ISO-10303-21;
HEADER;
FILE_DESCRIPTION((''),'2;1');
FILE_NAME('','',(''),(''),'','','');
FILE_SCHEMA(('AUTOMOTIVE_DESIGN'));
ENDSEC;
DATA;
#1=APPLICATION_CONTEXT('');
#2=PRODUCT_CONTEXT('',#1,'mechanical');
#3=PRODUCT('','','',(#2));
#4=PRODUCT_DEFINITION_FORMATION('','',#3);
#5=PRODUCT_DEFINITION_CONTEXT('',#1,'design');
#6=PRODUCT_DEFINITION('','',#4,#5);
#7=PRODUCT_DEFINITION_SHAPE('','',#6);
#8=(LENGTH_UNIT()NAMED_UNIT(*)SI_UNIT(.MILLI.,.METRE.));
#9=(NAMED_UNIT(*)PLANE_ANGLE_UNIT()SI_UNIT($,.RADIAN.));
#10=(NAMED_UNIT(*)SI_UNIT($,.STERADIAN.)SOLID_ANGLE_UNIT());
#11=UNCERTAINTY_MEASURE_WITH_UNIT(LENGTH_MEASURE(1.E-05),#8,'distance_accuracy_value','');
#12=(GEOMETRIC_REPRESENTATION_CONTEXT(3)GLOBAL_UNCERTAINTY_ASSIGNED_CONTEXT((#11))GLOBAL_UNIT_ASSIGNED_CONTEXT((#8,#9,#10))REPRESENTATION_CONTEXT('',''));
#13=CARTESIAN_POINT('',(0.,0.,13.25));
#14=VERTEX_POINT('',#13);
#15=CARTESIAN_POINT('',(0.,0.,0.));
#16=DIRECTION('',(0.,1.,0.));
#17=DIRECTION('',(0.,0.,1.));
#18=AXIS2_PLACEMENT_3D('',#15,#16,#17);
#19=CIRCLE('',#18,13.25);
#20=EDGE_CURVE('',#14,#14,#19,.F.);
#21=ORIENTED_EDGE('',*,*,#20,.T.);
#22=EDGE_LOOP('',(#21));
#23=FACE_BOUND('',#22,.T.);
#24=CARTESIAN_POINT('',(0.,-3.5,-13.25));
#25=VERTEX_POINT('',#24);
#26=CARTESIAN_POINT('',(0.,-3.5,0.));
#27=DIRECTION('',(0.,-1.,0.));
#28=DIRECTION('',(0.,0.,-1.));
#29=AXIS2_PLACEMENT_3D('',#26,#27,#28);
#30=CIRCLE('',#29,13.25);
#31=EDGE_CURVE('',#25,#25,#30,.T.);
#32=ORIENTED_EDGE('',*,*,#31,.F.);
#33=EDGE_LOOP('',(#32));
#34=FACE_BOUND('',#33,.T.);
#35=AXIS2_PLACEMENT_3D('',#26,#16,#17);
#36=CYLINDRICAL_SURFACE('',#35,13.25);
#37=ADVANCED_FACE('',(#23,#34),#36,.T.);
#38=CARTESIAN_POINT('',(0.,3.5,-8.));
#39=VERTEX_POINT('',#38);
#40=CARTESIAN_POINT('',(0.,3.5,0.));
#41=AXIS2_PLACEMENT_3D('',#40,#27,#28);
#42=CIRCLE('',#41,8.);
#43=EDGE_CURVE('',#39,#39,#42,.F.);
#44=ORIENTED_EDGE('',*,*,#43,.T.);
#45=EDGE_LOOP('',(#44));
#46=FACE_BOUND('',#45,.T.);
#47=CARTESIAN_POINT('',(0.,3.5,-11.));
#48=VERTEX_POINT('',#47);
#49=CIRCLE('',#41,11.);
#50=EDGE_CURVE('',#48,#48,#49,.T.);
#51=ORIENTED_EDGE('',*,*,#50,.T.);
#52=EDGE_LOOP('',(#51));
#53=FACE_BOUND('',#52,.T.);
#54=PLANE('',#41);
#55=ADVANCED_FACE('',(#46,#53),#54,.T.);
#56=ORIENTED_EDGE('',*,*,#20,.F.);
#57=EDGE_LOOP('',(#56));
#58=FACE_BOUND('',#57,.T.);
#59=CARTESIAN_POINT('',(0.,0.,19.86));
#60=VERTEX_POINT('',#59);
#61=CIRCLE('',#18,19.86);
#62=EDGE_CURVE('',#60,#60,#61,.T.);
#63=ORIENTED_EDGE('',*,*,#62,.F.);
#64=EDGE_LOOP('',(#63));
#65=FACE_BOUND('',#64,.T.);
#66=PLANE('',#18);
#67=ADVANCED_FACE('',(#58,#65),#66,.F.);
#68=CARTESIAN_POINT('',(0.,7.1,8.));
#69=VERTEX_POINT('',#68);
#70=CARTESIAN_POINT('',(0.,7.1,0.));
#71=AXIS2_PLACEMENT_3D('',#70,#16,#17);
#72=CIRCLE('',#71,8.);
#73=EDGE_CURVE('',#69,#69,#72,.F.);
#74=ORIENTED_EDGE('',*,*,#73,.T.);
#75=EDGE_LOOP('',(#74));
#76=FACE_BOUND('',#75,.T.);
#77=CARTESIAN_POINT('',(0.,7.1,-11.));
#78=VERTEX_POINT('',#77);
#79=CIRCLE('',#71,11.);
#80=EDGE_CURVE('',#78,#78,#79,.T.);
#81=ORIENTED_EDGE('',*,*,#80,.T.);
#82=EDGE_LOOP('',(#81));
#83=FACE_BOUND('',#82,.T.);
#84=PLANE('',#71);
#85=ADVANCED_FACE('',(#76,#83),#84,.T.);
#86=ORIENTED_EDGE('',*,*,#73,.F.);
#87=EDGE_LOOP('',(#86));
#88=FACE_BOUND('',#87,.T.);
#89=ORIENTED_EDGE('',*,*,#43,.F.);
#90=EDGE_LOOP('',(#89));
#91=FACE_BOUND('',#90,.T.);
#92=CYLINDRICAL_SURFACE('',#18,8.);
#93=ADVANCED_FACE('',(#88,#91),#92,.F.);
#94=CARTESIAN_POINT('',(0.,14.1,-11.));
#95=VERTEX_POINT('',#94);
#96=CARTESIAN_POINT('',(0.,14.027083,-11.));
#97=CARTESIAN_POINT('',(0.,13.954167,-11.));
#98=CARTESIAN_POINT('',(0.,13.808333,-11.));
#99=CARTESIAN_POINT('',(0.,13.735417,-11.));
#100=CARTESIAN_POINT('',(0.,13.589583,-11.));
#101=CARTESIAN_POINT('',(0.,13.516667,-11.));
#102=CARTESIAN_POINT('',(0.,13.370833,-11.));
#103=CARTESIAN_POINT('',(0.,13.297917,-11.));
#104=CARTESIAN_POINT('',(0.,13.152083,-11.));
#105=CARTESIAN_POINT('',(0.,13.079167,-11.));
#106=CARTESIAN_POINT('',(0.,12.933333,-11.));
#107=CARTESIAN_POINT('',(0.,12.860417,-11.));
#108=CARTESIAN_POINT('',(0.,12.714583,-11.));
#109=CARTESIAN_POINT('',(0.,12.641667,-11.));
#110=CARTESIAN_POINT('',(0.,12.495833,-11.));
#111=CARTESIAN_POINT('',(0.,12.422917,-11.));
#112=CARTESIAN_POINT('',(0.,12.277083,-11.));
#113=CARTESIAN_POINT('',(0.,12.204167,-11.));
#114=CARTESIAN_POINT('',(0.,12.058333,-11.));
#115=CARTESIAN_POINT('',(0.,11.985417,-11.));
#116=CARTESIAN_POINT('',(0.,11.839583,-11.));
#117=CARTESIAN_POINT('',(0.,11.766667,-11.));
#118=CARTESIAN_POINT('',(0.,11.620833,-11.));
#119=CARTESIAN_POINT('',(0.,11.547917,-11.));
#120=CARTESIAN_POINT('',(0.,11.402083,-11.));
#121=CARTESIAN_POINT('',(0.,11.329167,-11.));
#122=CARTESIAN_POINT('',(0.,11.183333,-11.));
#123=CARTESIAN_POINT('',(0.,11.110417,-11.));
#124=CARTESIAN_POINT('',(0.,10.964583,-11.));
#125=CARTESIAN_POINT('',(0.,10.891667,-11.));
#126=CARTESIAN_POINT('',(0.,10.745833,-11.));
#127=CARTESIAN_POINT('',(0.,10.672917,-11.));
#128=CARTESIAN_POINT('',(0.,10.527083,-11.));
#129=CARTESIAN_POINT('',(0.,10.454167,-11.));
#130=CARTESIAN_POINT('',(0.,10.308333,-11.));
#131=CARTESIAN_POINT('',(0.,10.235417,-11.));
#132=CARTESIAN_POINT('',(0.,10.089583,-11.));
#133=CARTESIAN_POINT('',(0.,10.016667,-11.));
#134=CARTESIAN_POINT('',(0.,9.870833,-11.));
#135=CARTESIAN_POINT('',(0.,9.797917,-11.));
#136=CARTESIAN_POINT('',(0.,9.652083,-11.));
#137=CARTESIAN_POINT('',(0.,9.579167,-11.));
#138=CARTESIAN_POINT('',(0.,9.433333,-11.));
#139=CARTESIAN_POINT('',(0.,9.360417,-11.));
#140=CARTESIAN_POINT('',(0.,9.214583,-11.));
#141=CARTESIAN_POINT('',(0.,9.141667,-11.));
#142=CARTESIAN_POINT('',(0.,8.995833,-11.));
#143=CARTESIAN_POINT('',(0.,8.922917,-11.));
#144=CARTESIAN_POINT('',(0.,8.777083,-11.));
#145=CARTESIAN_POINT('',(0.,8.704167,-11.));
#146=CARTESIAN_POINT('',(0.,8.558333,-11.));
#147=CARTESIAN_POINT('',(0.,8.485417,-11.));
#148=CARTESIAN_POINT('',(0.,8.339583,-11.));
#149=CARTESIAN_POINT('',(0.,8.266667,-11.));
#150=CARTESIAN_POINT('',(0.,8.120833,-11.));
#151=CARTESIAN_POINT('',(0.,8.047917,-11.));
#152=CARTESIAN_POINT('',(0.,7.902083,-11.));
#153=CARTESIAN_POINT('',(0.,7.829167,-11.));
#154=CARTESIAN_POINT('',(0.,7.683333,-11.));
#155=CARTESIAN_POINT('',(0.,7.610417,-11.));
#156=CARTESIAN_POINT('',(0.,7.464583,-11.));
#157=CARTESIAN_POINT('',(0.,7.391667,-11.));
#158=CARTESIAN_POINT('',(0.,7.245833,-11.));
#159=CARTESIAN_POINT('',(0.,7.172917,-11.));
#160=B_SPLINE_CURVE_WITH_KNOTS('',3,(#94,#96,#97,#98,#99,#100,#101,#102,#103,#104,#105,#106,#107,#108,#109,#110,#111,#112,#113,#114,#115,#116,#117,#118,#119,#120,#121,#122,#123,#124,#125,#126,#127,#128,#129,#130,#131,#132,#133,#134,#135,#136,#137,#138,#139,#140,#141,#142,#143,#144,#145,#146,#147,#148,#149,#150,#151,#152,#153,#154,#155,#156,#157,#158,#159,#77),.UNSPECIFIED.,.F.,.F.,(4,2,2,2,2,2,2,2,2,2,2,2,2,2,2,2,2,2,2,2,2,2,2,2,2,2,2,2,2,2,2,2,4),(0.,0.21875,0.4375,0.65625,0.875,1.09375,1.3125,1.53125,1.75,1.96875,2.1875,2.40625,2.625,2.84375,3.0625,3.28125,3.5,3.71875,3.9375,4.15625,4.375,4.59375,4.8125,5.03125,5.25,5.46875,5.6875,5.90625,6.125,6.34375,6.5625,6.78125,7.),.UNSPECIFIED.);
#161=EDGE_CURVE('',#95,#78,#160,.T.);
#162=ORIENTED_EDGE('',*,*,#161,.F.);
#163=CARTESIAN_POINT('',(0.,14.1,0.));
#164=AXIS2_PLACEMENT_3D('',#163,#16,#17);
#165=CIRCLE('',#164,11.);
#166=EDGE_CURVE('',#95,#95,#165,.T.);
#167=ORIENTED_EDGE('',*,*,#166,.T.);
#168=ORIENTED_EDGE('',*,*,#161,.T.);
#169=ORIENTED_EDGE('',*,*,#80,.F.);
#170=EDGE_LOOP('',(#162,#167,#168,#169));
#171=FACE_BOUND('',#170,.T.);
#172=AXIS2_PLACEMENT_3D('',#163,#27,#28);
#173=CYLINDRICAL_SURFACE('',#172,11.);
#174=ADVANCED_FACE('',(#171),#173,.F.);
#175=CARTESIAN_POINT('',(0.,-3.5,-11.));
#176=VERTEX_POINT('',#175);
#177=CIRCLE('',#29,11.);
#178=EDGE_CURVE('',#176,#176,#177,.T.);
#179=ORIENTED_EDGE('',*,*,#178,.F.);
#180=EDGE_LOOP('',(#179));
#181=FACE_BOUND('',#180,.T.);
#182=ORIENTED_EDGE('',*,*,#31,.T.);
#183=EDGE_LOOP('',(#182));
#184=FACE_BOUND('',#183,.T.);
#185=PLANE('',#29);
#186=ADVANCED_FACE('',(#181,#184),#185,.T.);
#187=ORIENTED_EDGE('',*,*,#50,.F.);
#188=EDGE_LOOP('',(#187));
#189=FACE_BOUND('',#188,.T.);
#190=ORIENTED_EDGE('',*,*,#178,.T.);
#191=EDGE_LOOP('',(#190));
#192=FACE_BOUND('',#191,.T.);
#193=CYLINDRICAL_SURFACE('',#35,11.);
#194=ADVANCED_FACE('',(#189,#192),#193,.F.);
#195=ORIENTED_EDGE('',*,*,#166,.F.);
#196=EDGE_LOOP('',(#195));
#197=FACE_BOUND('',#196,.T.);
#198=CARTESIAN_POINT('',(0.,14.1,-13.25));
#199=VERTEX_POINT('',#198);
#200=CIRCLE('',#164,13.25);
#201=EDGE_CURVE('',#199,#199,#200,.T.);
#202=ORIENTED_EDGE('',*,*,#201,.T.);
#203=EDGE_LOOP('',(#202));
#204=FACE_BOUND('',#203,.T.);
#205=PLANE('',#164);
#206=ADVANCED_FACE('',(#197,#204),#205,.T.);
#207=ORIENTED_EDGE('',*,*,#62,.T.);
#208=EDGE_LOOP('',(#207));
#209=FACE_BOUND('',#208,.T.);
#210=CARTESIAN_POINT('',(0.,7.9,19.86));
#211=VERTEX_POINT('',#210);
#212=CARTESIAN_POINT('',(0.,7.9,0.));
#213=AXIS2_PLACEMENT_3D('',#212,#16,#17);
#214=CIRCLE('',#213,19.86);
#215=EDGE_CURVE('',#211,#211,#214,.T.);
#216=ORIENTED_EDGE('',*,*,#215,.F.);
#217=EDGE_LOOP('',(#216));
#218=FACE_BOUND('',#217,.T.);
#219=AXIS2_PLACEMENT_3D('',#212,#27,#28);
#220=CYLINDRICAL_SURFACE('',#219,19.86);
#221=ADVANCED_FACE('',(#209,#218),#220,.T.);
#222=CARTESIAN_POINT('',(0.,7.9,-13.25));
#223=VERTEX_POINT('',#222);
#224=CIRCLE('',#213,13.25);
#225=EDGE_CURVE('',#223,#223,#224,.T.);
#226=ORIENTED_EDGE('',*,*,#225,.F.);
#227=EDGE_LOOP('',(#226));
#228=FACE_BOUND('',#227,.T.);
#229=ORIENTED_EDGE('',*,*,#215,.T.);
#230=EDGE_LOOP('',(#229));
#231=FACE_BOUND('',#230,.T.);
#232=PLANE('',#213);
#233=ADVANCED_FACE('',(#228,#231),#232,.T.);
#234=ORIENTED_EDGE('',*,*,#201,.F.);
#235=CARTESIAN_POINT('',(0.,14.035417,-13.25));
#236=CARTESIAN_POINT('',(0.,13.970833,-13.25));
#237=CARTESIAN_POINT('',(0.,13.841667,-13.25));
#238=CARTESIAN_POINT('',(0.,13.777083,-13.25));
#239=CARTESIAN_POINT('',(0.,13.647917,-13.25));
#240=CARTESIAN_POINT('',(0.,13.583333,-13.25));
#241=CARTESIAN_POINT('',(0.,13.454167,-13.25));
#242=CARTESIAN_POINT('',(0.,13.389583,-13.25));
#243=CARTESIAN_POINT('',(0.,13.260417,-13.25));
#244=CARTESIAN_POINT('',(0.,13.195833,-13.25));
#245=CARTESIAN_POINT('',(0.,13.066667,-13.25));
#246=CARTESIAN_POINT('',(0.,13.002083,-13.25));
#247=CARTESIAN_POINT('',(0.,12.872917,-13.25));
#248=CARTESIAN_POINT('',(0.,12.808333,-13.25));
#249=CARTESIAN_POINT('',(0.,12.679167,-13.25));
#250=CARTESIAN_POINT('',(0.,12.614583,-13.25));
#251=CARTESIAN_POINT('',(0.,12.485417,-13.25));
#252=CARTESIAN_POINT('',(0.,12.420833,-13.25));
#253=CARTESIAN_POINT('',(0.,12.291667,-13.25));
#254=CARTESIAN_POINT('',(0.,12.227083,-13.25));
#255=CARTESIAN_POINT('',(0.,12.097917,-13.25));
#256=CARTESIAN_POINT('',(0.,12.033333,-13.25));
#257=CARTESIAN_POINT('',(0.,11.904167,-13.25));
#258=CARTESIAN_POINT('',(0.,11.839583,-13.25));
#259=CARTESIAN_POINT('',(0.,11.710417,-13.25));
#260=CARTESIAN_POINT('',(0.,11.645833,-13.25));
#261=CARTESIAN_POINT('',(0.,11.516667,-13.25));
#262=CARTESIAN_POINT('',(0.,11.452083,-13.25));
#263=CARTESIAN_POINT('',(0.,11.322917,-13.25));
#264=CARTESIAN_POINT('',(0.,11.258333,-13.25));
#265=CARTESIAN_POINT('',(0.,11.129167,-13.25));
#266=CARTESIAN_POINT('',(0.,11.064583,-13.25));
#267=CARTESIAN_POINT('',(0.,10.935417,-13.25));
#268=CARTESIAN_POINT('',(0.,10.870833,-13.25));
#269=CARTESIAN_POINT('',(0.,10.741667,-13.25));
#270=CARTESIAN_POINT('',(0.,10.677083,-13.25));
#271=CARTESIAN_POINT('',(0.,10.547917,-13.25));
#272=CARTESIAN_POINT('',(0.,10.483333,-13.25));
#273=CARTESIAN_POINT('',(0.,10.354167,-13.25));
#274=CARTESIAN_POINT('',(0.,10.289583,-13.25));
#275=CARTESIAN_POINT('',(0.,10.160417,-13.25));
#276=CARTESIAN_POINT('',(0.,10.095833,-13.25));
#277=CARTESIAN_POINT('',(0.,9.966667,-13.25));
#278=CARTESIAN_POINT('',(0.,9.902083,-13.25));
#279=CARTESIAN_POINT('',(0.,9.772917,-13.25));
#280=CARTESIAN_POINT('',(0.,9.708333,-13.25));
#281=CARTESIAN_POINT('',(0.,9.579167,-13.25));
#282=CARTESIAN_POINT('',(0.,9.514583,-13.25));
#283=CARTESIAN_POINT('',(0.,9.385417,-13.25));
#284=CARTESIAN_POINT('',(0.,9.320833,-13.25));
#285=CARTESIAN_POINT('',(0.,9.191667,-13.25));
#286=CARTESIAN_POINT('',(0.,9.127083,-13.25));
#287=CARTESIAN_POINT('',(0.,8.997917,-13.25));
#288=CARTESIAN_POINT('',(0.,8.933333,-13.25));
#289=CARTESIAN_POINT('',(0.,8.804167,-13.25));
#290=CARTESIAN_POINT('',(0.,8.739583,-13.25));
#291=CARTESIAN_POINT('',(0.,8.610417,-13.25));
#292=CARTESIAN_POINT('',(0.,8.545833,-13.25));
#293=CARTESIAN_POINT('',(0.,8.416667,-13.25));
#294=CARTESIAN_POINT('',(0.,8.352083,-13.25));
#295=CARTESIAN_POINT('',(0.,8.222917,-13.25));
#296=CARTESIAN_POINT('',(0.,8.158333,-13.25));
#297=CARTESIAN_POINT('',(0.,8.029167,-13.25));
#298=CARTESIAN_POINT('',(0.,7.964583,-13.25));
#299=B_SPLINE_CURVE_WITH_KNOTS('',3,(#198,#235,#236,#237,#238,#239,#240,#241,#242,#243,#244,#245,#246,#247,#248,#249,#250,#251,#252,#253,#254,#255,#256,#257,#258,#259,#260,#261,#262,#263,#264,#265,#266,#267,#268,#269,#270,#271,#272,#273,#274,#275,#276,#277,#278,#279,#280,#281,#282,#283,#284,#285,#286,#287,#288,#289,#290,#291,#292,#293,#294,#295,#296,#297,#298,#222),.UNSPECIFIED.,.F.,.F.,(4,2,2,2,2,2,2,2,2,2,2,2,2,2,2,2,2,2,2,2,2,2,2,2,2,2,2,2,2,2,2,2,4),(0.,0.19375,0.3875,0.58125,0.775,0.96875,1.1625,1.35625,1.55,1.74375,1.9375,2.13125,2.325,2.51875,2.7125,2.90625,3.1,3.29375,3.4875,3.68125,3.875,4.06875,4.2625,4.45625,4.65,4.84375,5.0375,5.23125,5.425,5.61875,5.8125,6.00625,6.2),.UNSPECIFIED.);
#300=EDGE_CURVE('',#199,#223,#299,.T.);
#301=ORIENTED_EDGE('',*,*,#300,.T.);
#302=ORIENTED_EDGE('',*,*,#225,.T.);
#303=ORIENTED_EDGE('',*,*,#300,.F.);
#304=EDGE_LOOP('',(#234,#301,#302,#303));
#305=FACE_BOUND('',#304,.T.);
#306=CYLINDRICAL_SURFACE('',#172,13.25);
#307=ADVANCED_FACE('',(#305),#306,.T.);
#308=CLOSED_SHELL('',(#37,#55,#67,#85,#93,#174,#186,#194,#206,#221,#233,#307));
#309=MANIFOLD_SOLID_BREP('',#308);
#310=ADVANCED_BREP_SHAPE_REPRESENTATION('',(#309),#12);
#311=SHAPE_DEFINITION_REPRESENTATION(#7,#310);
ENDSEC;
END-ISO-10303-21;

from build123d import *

# Parameters (mm, degrees)
CROQUIS1_R              = 19.86
SALIENTE_EXTRUIR1_DEPTH = 7.9
CROQUIS2_R              = 8
CORTAR_EXTRUIR1_DEPTH   = 7.9
CROQUIS3_R              = 13.25
CROQUIS3_R_2            = 11
SALIENTE_EXTRUIR2_DEPTH = 6.2
SALIENTE_EXTRUIR3_START = 3.5
CROQUIS4_R              = 13.25
CROQUIS4_R_2            = 11
SALIENTE_EXTRUIR3_DEPTH = 3.5
CROQUIS5_R              = 11
CORTAR_EXTRUIR2_DEPTH   = 7
CORTAR_EXTRUIR3_START   = -7
CROQUIS6_R              = 11
CORTAR_EXTRUIR3_DEPTH   = 7


with BuildPart() as part:
    # Croquis1 → Saliente-Extruir1 (new body)
    with BuildSketch(Plane(origin=(0, 0, 0), x_dir=(1, 0, 0), z_dir=(0, 1, 0))):
        with Locations(Location((0, 0, 0), (0, 0, 270))):
            Circle(CROQUIS1_R)
    extrude(amount=SALIENTE_EXTRUIR1_DEPTH)

    # Croquis2 → Cortar-Extruir1 (cut)
    with BuildSketch(Plane(origin=(0, 7.9, 0), x_dir=(1, 0, 0), z_dir=(0, 1, 0))):
        with Locations(Location((0, 0, 0), (0, 0, 270))):
            Circle(CROQUIS2_R)
    extrude(amount=-CORTAR_EXTRUIR1_DEPTH, mode=Mode.SUBTRACT)

    # Croquis3 → Saliente-Extruir2 (add)
    with BuildSketch(Plane(origin=(0, 7.9, 0), x_dir=(1, 0, 0), z_dir=(0, 1, 0))):
        with Locations(Location((0, 0, 0), (0, 0, 90))):
            Circle(CROQUIS3_R)
        with Locations(Location((0, 0, 0), (0, 0, 90))):
            Circle(CROQUIS3_R_2, mode=Mode.SUBTRACT)
    extrude(amount=SALIENTE_EXTRUIR2_DEPTH)

    # Croquis4 → Saliente-Extruir3 (add)
    with BuildSketch(Plane.XZ.offset(SALIENTE_EXTRUIR3_START)):
        with Locations(Location((0, 0, 0), (0, 0, 270))):
            Circle(CROQUIS4_R)
        with Locations(Location((0, 0, 0), (0, 0, 270))):
            Circle(CROQUIS4_R_2, mode=Mode.SUBTRACT)
    extrude(amount=-SALIENTE_EXTRUIR3_DEPTH)

    # Croquis5 → Cortar-Extruir2 (cut)
    with BuildSketch(Plane.XZ.offset(3.5)):
        with Locations(Location((0, 0, 0), (0, 0, 270))):
            Circle(CROQUIS5_R)
    extrude(amount=-CORTAR_EXTRUIR2_DEPTH, mode=Mode.SUBTRACT)

    # Croquis6 → Cortar-Extruir3 (cut)
    with BuildSketch(Plane(origin=(0, 14.1, 0), x_dir=(1, 0, 0), z_dir=(0, 1, 0)).offset(CORTAR_EXTRUIR3_START)):
        with Locations(Location((0, 0, 0), (0, 0, 90))):
            Circle(CROQUIS6_R)
    extrude(amount=CORTAR_EXTRUIR3_DEPTH, mode=Mode.SUBTRACT)


solid = part.part
